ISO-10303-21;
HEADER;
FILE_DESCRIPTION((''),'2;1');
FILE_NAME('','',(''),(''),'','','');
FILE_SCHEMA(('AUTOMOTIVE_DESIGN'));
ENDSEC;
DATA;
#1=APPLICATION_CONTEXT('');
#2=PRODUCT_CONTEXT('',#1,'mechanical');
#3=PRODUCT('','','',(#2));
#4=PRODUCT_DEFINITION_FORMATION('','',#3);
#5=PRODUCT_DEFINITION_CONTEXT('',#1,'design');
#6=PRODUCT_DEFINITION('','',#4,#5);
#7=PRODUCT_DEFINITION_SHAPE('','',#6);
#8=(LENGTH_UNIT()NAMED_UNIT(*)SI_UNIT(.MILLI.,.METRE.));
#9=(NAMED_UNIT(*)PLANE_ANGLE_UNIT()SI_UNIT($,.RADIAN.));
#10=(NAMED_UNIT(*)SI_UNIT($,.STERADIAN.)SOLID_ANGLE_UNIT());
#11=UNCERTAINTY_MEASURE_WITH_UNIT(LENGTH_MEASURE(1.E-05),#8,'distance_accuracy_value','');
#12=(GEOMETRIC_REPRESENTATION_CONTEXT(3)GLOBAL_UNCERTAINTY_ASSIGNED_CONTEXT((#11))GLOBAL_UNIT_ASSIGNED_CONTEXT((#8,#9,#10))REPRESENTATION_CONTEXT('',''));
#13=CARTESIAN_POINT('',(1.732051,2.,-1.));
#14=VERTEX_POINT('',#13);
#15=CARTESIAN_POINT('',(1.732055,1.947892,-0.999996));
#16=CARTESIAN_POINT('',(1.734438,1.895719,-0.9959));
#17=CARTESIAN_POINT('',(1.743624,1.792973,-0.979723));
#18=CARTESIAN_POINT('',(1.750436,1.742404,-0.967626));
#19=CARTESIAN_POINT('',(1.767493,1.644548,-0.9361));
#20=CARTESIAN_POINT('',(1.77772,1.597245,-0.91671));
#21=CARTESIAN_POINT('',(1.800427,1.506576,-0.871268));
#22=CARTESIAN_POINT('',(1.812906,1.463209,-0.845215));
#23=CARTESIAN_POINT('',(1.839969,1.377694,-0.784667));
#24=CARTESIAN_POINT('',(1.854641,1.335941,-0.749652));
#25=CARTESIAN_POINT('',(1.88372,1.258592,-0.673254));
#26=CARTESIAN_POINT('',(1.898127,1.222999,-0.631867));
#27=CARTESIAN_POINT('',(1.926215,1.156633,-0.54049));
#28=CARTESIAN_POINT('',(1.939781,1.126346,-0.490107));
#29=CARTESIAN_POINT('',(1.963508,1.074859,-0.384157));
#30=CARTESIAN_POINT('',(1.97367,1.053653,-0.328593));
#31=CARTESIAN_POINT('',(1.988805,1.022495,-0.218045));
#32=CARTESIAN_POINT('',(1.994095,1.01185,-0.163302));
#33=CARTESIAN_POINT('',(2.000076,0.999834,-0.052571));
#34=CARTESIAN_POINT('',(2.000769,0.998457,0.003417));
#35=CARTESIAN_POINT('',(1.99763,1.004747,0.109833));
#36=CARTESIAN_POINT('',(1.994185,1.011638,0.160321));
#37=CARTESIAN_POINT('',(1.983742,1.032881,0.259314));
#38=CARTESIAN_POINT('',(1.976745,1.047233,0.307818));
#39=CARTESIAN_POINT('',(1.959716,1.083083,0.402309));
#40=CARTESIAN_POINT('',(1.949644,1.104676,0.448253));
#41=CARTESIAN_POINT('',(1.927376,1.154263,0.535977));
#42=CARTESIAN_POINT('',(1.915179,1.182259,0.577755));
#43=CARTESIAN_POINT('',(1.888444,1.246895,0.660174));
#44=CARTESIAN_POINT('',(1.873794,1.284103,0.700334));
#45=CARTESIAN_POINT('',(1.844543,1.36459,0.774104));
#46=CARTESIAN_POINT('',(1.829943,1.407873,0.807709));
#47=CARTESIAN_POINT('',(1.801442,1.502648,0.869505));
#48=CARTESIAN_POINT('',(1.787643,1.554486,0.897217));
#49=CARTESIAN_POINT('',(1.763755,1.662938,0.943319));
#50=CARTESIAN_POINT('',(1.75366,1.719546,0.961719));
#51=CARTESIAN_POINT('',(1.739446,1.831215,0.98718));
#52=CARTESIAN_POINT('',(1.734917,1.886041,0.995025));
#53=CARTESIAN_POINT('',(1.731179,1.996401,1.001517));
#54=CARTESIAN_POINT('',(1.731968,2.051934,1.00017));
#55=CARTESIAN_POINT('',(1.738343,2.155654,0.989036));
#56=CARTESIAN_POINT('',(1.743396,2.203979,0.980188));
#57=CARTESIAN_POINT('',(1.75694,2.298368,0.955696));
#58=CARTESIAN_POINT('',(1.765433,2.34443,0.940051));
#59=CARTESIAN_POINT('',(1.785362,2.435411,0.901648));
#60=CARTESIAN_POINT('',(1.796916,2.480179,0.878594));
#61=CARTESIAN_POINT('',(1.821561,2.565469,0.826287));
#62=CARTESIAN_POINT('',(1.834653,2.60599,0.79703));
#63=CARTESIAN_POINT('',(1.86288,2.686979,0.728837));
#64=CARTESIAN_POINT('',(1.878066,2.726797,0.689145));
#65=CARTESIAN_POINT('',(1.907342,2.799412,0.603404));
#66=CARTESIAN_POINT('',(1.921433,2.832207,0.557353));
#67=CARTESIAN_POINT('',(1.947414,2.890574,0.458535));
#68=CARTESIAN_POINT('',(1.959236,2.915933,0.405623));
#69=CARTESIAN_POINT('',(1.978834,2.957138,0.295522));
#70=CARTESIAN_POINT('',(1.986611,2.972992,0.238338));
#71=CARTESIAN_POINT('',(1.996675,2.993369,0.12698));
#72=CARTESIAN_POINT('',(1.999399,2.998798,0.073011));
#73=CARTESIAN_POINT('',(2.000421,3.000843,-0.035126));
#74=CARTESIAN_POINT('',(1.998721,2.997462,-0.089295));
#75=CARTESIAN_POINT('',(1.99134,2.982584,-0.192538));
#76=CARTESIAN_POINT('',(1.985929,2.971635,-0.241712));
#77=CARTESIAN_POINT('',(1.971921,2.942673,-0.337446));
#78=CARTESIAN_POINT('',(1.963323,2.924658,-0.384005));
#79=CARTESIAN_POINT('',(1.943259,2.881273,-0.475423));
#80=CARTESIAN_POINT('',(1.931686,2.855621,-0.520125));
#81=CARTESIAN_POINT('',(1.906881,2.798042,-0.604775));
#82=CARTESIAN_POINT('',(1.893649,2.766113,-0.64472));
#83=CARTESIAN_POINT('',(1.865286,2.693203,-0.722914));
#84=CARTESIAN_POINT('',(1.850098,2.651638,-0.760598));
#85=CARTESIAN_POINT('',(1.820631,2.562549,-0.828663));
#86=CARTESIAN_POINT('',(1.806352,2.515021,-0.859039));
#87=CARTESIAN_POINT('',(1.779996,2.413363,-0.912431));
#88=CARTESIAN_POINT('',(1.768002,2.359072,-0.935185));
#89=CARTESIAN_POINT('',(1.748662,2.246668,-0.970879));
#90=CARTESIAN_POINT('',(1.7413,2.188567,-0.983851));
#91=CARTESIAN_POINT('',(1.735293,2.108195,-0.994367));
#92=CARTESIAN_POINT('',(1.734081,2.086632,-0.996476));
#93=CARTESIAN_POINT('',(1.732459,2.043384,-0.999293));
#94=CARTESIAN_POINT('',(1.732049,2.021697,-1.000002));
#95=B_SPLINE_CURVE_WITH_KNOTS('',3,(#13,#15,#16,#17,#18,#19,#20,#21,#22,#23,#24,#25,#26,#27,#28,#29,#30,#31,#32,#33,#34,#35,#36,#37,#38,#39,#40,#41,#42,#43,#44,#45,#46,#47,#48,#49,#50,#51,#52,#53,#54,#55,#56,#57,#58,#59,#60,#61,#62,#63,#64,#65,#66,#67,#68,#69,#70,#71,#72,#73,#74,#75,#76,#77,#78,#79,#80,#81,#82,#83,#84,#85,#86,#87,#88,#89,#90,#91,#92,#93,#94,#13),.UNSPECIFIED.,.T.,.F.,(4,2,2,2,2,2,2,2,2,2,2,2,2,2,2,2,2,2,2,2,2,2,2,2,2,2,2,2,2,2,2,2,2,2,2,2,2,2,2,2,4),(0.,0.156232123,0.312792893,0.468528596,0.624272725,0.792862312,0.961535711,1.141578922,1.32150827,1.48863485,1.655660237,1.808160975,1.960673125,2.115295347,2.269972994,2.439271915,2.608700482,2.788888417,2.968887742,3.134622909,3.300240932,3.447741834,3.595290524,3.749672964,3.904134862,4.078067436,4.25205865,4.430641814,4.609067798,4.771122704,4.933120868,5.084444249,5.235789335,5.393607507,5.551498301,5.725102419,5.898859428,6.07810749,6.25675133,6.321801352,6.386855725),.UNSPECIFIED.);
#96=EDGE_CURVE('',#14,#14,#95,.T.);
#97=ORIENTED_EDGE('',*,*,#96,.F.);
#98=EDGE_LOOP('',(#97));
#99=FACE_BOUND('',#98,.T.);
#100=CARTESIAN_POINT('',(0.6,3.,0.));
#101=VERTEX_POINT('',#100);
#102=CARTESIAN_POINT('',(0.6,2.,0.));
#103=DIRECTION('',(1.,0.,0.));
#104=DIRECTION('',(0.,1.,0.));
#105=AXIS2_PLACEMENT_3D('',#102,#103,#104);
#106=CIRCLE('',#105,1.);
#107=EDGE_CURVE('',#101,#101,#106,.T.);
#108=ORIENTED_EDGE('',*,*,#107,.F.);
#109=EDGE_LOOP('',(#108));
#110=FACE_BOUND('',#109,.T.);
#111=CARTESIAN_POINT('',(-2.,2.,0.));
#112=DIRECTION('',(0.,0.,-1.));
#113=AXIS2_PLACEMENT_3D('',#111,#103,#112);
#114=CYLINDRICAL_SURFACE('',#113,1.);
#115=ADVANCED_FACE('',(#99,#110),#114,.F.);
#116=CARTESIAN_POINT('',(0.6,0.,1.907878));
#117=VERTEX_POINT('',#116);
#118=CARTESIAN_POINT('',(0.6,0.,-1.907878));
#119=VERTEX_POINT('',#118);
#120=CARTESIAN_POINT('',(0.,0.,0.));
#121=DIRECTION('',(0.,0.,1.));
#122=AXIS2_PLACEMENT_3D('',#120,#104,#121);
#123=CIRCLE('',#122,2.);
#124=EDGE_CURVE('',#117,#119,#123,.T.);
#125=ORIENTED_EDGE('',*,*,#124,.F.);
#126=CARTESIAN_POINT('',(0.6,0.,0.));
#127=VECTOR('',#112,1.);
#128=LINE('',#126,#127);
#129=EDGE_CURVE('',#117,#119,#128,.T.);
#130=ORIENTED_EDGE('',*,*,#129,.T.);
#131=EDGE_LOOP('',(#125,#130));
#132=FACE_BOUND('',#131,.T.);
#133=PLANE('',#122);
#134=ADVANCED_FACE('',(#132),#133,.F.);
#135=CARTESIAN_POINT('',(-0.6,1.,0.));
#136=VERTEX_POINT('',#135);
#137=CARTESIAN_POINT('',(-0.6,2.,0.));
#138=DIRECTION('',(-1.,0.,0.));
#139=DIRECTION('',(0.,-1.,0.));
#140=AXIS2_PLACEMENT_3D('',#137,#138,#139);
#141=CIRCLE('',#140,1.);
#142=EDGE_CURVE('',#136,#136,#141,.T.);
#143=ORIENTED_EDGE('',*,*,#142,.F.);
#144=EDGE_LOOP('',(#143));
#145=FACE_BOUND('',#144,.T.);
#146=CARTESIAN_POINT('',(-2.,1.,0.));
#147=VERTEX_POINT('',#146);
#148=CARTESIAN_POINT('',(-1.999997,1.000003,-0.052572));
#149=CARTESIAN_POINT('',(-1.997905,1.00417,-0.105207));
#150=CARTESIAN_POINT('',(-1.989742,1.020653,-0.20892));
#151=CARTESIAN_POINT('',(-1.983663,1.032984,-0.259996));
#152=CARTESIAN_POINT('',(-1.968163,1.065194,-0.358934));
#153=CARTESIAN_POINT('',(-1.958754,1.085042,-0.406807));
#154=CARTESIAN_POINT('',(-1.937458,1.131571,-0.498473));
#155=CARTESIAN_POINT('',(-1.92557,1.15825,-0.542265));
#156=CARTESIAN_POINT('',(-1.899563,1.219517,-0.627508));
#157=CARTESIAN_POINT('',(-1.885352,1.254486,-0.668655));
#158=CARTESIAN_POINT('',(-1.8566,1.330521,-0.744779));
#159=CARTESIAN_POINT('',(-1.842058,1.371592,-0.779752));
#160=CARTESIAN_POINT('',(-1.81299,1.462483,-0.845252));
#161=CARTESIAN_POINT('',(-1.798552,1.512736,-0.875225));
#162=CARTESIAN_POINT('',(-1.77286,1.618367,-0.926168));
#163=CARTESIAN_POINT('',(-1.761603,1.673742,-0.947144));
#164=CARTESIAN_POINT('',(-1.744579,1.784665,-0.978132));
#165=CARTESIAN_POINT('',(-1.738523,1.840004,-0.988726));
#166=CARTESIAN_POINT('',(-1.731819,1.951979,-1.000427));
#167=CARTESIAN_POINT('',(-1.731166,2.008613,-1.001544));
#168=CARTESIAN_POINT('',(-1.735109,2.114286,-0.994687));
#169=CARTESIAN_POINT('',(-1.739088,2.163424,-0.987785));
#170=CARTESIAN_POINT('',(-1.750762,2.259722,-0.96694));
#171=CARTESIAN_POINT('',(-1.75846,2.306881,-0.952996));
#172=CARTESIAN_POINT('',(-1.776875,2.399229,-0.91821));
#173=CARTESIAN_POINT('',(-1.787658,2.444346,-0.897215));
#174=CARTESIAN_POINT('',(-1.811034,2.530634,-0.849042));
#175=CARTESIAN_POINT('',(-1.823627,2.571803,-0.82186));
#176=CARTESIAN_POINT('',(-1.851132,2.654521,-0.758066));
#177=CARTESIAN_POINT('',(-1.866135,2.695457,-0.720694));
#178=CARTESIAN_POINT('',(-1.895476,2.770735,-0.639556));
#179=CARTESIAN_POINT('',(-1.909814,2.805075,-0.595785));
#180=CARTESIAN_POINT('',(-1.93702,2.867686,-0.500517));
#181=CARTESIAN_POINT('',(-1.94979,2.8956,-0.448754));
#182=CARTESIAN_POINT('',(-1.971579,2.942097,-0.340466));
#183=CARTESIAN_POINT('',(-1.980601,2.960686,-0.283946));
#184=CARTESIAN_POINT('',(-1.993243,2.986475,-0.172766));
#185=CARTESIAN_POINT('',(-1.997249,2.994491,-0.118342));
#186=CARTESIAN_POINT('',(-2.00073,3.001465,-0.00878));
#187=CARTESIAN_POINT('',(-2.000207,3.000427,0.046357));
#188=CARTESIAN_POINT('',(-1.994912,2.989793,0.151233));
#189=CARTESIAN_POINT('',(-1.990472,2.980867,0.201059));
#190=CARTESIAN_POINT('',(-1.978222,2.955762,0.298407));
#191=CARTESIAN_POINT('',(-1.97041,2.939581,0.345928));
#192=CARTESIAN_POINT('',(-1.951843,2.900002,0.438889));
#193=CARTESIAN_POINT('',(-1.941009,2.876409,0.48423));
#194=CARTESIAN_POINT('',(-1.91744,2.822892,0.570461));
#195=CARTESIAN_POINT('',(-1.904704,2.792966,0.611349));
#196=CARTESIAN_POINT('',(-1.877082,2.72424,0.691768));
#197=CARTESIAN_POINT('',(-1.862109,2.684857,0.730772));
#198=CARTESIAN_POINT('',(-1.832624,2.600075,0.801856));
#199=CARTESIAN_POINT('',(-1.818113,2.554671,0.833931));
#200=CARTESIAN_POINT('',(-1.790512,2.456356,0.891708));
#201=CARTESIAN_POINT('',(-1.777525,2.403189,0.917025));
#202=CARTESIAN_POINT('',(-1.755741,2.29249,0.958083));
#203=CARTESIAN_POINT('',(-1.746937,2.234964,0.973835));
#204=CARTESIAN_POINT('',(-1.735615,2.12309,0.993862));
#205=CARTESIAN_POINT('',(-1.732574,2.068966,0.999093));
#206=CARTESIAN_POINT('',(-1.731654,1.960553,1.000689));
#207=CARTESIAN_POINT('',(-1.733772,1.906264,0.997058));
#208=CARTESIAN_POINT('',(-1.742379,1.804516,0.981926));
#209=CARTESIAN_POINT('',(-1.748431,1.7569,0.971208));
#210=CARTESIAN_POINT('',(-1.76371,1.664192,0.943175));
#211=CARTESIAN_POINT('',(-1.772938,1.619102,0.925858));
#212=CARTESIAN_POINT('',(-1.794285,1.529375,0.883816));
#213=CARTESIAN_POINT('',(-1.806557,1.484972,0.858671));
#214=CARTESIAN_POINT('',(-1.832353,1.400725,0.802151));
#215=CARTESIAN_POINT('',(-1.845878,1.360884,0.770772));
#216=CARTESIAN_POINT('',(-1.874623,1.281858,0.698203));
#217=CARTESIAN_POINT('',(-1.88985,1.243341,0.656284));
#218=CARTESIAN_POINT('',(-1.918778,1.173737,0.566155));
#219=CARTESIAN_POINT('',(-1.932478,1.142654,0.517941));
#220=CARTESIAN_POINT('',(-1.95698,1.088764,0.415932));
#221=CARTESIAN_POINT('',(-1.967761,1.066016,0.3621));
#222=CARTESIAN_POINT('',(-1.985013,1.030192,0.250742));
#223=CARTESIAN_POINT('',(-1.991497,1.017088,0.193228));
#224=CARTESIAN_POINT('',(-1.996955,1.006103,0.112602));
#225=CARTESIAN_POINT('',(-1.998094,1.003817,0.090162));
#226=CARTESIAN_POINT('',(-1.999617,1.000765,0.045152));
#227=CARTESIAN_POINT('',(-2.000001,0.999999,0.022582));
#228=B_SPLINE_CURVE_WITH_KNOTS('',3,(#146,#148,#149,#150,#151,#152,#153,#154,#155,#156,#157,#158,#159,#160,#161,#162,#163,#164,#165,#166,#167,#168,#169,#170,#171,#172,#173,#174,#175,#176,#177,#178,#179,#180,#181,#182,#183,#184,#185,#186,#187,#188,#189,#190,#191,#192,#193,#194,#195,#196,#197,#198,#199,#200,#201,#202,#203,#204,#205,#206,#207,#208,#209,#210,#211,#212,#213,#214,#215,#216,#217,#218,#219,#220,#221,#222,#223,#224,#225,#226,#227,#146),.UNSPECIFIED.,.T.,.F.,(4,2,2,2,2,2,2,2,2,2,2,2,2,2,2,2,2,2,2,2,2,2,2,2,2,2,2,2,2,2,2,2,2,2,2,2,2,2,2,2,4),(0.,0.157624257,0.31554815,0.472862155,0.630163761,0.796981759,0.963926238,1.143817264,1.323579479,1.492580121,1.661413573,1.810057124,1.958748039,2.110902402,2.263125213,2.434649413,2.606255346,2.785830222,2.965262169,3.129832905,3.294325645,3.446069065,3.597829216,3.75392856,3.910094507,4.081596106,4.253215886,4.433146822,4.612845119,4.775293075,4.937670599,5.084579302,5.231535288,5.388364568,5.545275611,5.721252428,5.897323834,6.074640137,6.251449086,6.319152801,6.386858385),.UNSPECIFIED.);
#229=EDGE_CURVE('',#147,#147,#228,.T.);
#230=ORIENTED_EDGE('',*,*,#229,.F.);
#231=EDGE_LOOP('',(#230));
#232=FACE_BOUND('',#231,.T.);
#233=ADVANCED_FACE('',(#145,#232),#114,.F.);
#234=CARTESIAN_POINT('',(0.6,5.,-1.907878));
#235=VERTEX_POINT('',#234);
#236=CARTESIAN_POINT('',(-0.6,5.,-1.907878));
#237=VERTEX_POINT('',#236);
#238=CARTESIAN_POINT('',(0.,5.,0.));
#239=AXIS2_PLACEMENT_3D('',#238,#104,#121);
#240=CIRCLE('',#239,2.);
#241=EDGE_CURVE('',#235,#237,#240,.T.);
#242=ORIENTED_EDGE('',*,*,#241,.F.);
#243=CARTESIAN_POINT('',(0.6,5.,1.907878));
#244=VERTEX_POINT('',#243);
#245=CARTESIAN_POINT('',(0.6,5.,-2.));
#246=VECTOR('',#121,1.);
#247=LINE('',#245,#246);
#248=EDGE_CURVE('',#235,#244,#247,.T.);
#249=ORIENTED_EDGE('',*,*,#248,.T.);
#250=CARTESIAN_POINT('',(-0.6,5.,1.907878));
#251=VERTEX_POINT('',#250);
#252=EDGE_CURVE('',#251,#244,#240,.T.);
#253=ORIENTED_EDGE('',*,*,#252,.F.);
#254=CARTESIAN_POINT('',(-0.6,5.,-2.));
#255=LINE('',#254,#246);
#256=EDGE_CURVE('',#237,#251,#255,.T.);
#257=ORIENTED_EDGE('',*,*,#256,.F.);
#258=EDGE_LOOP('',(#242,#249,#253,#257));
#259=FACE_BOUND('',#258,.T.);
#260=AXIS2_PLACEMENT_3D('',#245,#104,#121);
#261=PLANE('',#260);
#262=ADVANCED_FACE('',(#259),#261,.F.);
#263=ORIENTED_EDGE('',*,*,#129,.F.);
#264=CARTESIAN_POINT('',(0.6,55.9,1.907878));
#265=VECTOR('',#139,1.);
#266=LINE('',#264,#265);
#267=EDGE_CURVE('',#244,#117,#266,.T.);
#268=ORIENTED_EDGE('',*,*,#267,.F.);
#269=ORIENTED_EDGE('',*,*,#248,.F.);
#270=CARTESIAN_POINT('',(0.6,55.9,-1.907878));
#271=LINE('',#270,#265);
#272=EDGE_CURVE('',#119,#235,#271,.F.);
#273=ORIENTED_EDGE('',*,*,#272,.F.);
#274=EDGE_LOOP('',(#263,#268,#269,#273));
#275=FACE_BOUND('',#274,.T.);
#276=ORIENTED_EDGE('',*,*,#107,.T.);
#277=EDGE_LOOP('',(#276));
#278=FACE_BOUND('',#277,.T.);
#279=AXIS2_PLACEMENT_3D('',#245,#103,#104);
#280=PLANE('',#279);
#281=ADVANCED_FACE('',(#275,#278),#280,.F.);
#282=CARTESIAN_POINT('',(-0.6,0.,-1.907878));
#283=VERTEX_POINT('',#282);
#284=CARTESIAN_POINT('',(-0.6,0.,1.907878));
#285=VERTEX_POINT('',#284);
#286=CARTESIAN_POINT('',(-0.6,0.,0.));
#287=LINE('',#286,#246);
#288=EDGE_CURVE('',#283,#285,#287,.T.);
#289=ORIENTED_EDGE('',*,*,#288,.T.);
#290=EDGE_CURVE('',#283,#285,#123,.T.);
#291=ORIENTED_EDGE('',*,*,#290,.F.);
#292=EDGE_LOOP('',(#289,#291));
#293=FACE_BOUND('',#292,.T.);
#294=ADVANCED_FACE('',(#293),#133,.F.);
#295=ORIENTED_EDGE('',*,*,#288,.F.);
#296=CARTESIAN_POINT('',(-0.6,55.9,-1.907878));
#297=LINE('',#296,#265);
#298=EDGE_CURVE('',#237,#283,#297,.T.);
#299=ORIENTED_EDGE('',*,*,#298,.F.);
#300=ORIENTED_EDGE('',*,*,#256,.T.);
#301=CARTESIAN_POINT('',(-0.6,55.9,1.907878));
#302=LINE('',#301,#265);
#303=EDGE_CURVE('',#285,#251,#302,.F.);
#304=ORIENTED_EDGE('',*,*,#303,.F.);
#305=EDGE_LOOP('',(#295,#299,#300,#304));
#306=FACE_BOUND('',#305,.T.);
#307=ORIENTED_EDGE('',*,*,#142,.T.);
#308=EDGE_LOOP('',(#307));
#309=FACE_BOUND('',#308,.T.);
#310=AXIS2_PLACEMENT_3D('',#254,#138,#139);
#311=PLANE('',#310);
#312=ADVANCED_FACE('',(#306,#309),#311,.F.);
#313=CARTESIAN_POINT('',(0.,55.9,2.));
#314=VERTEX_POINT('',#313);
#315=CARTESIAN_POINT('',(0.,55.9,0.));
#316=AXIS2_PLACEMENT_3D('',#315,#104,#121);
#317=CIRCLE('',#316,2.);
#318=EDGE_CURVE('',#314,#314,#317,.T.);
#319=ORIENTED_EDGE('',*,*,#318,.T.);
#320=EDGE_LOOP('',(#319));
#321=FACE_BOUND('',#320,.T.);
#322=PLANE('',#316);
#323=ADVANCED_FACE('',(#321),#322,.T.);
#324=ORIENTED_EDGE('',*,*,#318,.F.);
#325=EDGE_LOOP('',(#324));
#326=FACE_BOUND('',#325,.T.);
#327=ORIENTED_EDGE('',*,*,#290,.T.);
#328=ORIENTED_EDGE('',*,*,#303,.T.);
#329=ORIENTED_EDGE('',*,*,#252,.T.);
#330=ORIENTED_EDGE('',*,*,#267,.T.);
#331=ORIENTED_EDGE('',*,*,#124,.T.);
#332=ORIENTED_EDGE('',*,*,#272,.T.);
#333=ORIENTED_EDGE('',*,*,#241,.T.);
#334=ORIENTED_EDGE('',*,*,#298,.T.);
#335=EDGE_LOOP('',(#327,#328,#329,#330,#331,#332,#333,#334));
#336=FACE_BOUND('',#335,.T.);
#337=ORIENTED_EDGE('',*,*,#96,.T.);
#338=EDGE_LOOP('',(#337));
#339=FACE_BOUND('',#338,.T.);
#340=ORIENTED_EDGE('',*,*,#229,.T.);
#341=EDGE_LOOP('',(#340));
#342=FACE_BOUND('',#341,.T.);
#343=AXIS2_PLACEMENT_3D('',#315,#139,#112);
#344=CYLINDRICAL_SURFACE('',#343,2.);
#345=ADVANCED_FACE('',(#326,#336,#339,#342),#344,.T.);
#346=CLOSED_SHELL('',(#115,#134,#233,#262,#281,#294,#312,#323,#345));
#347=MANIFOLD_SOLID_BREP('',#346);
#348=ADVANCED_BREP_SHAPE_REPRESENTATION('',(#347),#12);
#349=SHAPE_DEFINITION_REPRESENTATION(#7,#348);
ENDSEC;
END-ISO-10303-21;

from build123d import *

# Parameters (mm, degrees)
SKETCH_1_R               = 2
EXTRUDE_1_DEPTH          = 55.9
CUT_EXTRUDE_1_DEPTH      = 56.97151061
CUT_EXTRUDE_1_DEPTH_BACK = 56.97151061
SKETCH_2_W               = 1.2
SKETCH_2_H               = 10
CUT_EXTRUDE_2_DEPTH      = 56.97151061
CUT_EXTRUDE_2_DEPTH_BACK = 56.97151061
SKETCH_3_R               = 1


with BuildPart() as part:
    # 草图1 → 凸台-拉伸1 (new body)
    with BuildSketch(Plane(origin=(0, 0, 0), x_dir=(1, 0, 0), z_dir=(0, 1, 0))):
        with Locations(Location((0, 0, 0), (0, 0, 270))):
            Circle(SKETCH_1_R)
    extrude(amount=EXTRUDE_1_DEPTH)

    # 草图2 → 切除-拉伸1 (cut, two sides: drawn at the far end of the back side and taken through both)
    with BuildSketch(Plane.XY.offset(-CUT_EXTRUDE_1_DEPTH_BACK)):
        Rectangle(SKETCH_2_W, SKETCH_2_H)
    extrude(amount=CUT_EXTRUDE_1_DEPTH + CUT_EXTRUDE_1_DEPTH_BACK, mode=Mode.SUBTRACT)

    # 草图3 → 切除-拉伸2 (cut, two sides: drawn at the far end of the back side and taken through both)
    with BuildSketch(Plane(origin=(0, 0, 0), x_dir=(0, 0, -1), z_dir=(1, 0, 0)).offset(-CUT_EXTRUDE_2_DEPTH_BACK)):
        with Locations((0, 2)):
            Circle(SKETCH_3_R)
    extrude(amount=CUT_EXTRUDE_2_DEPTH + CUT_EXTRUDE_2_DEPTH_BACK, mode=Mode.SUBTRACT)


solid = part.part
